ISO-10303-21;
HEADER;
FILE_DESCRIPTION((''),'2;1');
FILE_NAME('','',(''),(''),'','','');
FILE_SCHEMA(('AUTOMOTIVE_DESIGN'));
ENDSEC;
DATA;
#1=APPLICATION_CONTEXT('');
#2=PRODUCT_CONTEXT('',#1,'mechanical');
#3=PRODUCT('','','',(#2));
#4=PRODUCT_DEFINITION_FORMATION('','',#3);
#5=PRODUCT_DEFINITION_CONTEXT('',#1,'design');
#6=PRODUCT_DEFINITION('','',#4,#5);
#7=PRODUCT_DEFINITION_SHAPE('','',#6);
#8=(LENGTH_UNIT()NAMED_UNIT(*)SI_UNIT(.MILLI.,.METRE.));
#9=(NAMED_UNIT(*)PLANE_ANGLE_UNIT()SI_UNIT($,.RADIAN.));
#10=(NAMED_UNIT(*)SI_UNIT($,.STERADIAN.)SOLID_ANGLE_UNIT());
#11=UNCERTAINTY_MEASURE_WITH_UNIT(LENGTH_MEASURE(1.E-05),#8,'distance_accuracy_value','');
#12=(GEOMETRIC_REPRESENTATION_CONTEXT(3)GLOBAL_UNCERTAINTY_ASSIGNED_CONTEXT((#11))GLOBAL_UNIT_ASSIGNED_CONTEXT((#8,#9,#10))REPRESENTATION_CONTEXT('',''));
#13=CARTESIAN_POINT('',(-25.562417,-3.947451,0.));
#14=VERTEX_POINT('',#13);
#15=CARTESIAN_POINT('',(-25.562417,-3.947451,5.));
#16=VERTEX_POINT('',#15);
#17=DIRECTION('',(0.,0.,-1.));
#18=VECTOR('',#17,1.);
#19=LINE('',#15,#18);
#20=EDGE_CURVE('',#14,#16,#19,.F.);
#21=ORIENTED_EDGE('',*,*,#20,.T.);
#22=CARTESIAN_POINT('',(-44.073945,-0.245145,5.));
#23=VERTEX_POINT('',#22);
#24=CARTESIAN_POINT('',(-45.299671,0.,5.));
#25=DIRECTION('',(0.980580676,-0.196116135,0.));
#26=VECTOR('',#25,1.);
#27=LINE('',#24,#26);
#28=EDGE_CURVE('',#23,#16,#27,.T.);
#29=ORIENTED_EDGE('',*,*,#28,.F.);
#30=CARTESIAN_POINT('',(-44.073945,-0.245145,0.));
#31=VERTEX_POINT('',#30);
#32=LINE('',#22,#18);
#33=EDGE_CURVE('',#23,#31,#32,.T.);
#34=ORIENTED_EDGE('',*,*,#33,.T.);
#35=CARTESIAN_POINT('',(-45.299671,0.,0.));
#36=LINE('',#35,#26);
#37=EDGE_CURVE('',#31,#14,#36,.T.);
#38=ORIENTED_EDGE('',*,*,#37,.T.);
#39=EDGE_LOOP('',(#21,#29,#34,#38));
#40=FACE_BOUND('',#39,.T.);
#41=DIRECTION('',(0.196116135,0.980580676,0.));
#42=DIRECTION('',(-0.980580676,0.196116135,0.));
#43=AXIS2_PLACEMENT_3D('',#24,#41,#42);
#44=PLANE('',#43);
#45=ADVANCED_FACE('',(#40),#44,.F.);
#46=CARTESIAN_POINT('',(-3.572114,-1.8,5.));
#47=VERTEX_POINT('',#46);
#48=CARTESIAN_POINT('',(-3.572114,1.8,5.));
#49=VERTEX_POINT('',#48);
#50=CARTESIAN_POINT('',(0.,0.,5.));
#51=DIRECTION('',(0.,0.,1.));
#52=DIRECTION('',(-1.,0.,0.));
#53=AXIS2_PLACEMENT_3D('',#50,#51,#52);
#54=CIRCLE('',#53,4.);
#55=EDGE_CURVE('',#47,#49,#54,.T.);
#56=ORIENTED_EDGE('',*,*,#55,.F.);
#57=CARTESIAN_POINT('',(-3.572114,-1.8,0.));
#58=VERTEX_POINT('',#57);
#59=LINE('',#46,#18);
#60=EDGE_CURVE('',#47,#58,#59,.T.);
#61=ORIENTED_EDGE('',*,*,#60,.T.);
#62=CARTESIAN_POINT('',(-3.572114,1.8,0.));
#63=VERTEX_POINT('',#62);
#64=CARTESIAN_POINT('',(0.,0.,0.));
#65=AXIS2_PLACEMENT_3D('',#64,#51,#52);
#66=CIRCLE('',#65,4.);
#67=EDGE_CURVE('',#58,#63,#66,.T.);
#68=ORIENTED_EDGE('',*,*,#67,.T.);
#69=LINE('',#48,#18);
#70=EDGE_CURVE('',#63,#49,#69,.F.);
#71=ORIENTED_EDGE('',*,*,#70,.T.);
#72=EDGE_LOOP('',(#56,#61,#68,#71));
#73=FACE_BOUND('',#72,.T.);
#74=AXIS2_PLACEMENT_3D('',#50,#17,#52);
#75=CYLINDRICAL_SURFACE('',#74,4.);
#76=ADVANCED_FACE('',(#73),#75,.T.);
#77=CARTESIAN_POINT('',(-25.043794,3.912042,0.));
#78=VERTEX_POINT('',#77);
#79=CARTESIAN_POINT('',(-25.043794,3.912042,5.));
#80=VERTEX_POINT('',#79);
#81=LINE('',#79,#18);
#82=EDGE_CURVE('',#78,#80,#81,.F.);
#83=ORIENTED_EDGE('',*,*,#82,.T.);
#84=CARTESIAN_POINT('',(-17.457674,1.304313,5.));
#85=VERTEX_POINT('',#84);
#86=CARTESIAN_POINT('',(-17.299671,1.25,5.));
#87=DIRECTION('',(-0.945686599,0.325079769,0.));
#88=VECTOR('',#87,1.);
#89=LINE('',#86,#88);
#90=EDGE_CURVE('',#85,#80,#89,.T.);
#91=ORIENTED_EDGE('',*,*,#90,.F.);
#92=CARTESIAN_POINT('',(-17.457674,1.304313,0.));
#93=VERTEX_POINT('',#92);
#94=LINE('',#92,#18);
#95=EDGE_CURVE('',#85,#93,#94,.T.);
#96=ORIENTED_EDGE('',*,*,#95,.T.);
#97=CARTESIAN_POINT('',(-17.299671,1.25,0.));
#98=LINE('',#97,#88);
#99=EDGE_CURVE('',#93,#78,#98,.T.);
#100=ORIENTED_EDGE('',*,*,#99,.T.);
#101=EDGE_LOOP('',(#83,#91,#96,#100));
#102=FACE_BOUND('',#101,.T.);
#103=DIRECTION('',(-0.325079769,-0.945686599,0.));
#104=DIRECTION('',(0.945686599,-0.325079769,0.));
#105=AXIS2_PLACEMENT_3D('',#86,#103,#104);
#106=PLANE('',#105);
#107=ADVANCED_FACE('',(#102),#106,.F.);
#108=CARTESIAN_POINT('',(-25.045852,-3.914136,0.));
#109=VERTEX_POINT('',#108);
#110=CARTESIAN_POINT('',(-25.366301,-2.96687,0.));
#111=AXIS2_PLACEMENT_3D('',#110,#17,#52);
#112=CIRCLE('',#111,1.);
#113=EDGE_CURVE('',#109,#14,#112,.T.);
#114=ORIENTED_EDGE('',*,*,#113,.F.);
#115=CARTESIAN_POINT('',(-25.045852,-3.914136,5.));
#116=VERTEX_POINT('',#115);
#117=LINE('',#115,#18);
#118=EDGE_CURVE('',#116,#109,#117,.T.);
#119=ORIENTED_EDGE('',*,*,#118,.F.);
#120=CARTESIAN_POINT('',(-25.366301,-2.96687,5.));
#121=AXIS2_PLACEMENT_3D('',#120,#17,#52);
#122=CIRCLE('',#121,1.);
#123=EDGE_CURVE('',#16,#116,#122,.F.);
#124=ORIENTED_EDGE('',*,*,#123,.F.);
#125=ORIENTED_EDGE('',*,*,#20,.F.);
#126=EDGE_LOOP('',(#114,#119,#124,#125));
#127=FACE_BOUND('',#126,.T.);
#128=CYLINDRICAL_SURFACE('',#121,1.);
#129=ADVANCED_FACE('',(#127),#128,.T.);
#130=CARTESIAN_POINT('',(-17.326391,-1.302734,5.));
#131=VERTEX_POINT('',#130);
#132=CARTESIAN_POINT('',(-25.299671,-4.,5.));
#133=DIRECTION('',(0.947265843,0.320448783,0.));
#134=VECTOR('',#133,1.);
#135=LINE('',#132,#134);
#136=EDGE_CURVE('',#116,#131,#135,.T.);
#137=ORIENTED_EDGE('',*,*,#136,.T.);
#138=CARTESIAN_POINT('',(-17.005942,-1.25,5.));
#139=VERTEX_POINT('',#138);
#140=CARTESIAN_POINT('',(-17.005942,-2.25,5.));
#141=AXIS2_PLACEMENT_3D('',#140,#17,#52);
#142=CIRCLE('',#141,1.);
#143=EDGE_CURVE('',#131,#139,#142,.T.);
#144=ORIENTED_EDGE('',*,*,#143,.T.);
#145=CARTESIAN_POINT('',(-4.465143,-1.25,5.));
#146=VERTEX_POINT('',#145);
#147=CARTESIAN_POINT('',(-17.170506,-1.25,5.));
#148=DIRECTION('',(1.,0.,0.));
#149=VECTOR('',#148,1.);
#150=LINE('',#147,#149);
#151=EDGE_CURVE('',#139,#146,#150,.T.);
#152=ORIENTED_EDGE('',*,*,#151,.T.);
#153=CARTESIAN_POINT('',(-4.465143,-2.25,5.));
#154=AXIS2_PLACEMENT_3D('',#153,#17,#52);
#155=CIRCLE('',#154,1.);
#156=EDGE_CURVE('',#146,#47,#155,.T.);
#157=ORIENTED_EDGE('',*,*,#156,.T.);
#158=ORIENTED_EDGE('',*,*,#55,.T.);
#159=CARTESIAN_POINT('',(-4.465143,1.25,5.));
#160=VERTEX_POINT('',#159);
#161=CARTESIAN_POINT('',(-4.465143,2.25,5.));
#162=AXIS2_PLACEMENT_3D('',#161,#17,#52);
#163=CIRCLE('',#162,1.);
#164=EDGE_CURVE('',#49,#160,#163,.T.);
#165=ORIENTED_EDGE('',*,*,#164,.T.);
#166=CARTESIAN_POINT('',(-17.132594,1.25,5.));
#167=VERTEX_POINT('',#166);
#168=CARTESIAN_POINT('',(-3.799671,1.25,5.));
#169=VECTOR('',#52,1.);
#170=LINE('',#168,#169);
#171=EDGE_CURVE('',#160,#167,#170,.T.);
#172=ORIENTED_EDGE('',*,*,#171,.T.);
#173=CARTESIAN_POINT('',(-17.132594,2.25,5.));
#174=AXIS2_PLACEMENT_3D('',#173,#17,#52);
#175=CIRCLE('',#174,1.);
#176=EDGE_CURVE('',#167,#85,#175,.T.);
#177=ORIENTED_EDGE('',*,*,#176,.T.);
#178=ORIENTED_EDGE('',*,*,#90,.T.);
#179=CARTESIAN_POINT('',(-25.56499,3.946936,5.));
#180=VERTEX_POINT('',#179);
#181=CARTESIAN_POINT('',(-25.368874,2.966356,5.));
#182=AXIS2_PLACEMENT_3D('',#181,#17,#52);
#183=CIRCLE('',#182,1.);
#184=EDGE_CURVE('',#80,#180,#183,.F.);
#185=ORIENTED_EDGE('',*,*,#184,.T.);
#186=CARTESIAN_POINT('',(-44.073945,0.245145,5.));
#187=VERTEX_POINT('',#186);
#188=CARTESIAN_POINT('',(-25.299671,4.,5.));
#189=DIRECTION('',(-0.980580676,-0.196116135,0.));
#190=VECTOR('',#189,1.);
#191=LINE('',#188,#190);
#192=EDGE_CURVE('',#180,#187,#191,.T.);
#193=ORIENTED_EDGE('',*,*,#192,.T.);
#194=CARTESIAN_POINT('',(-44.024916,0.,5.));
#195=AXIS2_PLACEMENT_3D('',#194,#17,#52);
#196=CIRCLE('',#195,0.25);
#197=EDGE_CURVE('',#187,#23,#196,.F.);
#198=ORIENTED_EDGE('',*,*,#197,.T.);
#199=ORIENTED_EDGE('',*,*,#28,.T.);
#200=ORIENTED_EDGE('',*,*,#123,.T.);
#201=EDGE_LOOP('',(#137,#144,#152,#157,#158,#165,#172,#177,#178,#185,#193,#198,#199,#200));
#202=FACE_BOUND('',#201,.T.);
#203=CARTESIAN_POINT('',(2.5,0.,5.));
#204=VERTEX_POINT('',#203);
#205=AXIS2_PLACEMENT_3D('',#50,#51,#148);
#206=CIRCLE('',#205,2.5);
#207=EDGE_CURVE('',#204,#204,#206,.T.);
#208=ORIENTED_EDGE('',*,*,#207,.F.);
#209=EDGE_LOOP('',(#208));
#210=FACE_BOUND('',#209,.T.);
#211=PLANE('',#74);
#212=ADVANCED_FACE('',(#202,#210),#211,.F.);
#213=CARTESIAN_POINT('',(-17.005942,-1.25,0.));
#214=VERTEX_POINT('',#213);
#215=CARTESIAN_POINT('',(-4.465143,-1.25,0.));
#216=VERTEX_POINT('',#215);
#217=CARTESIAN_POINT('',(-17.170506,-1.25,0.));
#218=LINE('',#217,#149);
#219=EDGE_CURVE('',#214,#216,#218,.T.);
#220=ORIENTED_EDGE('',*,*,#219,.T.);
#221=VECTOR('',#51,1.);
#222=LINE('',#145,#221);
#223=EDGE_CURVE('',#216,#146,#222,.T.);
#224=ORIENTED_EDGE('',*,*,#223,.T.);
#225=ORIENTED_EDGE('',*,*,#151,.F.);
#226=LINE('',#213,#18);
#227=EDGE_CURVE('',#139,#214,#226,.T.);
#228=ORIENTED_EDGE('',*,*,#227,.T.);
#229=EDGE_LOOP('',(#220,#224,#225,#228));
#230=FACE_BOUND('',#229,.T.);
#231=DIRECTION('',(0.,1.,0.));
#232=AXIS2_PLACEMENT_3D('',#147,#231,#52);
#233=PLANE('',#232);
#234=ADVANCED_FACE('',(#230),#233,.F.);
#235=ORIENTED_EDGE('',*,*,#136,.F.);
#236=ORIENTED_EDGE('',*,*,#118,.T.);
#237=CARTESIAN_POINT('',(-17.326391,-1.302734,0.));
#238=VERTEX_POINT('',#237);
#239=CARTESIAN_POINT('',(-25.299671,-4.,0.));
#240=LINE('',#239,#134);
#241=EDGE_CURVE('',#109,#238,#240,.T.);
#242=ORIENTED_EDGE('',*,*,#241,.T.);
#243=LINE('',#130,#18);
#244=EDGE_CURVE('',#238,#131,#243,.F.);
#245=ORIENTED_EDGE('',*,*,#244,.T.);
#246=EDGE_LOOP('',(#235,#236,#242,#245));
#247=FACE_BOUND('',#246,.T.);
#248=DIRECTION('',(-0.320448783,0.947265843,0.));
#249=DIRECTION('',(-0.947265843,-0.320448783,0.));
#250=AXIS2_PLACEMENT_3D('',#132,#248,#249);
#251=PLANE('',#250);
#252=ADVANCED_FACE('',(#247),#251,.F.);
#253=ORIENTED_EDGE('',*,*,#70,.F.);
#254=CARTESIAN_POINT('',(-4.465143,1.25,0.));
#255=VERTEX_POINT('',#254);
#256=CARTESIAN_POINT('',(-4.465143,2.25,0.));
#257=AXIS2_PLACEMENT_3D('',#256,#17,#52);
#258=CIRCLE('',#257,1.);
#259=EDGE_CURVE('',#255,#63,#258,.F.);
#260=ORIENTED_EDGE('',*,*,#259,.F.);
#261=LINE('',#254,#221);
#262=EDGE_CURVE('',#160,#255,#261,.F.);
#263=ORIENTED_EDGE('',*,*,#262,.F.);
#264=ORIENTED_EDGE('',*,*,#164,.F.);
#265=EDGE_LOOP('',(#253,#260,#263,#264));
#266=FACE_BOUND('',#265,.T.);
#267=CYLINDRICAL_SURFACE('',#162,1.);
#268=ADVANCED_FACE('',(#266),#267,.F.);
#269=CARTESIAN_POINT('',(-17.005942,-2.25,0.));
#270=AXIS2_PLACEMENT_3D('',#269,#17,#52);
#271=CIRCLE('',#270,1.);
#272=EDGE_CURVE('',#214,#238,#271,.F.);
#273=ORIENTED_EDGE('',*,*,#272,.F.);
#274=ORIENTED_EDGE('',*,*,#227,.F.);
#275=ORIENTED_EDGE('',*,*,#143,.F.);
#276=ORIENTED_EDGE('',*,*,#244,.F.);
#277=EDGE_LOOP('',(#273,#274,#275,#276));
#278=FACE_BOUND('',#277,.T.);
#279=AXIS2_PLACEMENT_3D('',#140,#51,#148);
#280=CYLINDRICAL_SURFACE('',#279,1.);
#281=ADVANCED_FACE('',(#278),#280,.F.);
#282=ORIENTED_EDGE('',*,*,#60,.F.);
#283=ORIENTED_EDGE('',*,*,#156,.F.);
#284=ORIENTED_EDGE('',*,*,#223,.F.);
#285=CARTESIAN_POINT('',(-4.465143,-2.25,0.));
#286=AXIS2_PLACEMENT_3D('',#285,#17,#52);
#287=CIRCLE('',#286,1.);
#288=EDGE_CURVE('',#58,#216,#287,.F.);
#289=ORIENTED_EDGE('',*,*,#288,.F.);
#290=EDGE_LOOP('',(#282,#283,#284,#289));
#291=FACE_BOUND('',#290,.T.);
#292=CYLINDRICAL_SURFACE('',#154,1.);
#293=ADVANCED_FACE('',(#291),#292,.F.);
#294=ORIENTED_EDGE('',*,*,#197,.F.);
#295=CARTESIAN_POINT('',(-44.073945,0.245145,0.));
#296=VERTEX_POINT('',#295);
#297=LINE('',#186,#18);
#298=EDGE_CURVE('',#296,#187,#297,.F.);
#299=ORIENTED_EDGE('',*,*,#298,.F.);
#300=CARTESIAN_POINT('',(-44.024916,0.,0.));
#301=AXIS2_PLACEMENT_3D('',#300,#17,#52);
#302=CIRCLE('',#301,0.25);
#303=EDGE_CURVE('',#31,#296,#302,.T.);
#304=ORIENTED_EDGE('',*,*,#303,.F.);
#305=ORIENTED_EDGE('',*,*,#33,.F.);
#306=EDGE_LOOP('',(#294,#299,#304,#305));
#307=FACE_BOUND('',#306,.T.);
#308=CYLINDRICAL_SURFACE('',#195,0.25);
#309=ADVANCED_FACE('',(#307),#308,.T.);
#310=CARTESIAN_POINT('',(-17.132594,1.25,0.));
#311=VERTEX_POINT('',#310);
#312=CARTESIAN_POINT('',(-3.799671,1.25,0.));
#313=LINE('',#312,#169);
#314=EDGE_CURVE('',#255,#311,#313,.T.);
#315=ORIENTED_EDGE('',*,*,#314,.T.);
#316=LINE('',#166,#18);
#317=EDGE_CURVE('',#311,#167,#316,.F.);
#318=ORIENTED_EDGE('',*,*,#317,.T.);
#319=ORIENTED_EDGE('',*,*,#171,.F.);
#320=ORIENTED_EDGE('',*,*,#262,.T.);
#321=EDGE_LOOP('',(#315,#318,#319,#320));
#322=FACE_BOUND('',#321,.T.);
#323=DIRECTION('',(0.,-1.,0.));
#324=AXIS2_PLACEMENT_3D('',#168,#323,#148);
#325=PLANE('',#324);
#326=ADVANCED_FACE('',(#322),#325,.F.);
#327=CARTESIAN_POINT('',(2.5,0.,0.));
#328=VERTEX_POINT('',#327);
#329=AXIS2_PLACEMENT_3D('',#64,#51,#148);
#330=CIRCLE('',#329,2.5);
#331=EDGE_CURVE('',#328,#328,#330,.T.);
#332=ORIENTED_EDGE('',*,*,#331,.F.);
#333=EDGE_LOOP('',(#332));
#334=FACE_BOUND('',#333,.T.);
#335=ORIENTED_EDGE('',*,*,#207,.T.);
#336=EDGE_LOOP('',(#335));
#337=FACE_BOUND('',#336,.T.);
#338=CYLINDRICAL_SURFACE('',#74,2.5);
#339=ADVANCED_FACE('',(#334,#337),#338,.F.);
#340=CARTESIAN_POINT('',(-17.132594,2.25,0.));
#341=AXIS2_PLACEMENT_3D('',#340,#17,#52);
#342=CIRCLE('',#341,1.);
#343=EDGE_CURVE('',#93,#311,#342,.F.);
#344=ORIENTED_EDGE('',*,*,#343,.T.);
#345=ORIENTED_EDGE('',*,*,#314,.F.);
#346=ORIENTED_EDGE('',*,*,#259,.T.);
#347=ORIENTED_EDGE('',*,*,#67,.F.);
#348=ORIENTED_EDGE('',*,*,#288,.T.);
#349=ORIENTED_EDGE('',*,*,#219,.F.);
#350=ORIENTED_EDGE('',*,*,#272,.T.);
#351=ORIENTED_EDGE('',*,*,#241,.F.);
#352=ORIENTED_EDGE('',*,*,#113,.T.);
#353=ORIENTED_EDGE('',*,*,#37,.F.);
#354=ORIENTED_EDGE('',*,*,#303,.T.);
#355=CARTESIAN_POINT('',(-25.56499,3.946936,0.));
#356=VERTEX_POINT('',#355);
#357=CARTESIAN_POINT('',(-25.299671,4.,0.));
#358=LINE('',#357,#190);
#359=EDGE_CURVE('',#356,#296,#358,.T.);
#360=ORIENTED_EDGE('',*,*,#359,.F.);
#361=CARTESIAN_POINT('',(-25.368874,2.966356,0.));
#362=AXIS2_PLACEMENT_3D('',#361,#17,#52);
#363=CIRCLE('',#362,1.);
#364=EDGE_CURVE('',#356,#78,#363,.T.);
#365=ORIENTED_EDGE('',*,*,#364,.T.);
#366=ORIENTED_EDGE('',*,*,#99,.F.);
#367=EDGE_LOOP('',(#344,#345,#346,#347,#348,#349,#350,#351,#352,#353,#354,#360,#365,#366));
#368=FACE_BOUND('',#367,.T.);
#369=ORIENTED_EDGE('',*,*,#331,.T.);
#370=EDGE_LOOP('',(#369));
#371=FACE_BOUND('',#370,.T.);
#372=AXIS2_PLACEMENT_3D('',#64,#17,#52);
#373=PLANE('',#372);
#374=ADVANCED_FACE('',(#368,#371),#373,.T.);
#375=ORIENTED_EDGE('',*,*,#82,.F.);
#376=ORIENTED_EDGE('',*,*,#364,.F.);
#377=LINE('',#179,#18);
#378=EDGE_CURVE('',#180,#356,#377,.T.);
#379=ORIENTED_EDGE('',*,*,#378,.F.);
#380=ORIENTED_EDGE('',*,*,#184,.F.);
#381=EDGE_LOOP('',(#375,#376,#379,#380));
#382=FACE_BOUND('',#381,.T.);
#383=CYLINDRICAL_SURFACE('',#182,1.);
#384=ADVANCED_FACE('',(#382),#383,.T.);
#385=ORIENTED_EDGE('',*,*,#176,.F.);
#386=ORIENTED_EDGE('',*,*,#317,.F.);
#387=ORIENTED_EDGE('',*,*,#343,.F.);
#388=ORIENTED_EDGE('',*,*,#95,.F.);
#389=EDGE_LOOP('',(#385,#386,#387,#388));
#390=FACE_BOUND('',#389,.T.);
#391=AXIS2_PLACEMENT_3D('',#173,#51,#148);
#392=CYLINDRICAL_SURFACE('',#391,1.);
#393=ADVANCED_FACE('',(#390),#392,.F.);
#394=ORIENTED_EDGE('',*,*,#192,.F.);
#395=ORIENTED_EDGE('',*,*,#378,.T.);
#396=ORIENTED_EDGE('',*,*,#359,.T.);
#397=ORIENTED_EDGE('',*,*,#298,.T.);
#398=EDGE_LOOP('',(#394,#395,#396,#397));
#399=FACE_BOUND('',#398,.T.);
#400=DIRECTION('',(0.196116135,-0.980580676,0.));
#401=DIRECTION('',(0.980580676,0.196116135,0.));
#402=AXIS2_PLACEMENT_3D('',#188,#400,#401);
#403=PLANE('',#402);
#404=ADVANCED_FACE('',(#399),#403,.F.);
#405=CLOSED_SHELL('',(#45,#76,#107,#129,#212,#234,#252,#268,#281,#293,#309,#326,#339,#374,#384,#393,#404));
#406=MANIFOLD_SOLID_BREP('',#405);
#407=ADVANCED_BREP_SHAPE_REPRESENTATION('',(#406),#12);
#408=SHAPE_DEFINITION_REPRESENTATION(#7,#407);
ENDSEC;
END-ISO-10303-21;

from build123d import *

# Parameters (mm, degrees)
ESQUISSE1_R        = 2.5
BOSS_EXTRU_1_DEPTH = 5
CONG_1_R           = 1
CONG_2_R           = 0.25


with BuildPart() as part:
    # Esquisse1 → Boss.-Extru.1 (new body)
    with BuildSketch(Plane.XY):
        with BuildLine():
            Line((-3.799671038, 1.25), (-17.299671038, 1.25))
            Line((-17.299671038, 1.25), (-25.299671038, 4))
            Line((-25.299671038, 4), (-45.299671038, 0))
            Line((-45.299671038, 0), (-25.299671038, -4))
            Line((-25.299671038, -4), (-17.170505914, -1.25))
            Line((-17.170505914, -1.25), (-3.799671038, -1.25))
            ThreePointArc((-3.799671038, -1.25), (4, 0), (-3.799671038, 1.25))
        make_face()
        Circle(ESQUISSE1_R, mode=Mode.SUBTRACT)
    extrude(amount=BOSS_EXTRU_1_DEPTH)

    # Congé1
    cong_1_edges = [part.edges().sort_by_distance(p)[0] for p in [
        (-25.299671038, 4, 2.5),
        (-17.299671038, 1.25, 2.5),
        (-3.799671038, 1.25, 2.5),
        (-3.799671038, -1.25, 2.5),
        (-17.170505914, -1.25, 2.5),
        (-25.299671038, -4, 2.5),
    ]]
    fillet(cong_1_edges, radius=CONG_1_R)

    # Congé2
    cong_2_edges = [part.edges().sort_by_distance(p)[0] for p in [
        (-45.299671038, 0, 2.5),
    ]]
    fillet(cong_2_edges, radius=CONG_2_R)


solid = part.part
